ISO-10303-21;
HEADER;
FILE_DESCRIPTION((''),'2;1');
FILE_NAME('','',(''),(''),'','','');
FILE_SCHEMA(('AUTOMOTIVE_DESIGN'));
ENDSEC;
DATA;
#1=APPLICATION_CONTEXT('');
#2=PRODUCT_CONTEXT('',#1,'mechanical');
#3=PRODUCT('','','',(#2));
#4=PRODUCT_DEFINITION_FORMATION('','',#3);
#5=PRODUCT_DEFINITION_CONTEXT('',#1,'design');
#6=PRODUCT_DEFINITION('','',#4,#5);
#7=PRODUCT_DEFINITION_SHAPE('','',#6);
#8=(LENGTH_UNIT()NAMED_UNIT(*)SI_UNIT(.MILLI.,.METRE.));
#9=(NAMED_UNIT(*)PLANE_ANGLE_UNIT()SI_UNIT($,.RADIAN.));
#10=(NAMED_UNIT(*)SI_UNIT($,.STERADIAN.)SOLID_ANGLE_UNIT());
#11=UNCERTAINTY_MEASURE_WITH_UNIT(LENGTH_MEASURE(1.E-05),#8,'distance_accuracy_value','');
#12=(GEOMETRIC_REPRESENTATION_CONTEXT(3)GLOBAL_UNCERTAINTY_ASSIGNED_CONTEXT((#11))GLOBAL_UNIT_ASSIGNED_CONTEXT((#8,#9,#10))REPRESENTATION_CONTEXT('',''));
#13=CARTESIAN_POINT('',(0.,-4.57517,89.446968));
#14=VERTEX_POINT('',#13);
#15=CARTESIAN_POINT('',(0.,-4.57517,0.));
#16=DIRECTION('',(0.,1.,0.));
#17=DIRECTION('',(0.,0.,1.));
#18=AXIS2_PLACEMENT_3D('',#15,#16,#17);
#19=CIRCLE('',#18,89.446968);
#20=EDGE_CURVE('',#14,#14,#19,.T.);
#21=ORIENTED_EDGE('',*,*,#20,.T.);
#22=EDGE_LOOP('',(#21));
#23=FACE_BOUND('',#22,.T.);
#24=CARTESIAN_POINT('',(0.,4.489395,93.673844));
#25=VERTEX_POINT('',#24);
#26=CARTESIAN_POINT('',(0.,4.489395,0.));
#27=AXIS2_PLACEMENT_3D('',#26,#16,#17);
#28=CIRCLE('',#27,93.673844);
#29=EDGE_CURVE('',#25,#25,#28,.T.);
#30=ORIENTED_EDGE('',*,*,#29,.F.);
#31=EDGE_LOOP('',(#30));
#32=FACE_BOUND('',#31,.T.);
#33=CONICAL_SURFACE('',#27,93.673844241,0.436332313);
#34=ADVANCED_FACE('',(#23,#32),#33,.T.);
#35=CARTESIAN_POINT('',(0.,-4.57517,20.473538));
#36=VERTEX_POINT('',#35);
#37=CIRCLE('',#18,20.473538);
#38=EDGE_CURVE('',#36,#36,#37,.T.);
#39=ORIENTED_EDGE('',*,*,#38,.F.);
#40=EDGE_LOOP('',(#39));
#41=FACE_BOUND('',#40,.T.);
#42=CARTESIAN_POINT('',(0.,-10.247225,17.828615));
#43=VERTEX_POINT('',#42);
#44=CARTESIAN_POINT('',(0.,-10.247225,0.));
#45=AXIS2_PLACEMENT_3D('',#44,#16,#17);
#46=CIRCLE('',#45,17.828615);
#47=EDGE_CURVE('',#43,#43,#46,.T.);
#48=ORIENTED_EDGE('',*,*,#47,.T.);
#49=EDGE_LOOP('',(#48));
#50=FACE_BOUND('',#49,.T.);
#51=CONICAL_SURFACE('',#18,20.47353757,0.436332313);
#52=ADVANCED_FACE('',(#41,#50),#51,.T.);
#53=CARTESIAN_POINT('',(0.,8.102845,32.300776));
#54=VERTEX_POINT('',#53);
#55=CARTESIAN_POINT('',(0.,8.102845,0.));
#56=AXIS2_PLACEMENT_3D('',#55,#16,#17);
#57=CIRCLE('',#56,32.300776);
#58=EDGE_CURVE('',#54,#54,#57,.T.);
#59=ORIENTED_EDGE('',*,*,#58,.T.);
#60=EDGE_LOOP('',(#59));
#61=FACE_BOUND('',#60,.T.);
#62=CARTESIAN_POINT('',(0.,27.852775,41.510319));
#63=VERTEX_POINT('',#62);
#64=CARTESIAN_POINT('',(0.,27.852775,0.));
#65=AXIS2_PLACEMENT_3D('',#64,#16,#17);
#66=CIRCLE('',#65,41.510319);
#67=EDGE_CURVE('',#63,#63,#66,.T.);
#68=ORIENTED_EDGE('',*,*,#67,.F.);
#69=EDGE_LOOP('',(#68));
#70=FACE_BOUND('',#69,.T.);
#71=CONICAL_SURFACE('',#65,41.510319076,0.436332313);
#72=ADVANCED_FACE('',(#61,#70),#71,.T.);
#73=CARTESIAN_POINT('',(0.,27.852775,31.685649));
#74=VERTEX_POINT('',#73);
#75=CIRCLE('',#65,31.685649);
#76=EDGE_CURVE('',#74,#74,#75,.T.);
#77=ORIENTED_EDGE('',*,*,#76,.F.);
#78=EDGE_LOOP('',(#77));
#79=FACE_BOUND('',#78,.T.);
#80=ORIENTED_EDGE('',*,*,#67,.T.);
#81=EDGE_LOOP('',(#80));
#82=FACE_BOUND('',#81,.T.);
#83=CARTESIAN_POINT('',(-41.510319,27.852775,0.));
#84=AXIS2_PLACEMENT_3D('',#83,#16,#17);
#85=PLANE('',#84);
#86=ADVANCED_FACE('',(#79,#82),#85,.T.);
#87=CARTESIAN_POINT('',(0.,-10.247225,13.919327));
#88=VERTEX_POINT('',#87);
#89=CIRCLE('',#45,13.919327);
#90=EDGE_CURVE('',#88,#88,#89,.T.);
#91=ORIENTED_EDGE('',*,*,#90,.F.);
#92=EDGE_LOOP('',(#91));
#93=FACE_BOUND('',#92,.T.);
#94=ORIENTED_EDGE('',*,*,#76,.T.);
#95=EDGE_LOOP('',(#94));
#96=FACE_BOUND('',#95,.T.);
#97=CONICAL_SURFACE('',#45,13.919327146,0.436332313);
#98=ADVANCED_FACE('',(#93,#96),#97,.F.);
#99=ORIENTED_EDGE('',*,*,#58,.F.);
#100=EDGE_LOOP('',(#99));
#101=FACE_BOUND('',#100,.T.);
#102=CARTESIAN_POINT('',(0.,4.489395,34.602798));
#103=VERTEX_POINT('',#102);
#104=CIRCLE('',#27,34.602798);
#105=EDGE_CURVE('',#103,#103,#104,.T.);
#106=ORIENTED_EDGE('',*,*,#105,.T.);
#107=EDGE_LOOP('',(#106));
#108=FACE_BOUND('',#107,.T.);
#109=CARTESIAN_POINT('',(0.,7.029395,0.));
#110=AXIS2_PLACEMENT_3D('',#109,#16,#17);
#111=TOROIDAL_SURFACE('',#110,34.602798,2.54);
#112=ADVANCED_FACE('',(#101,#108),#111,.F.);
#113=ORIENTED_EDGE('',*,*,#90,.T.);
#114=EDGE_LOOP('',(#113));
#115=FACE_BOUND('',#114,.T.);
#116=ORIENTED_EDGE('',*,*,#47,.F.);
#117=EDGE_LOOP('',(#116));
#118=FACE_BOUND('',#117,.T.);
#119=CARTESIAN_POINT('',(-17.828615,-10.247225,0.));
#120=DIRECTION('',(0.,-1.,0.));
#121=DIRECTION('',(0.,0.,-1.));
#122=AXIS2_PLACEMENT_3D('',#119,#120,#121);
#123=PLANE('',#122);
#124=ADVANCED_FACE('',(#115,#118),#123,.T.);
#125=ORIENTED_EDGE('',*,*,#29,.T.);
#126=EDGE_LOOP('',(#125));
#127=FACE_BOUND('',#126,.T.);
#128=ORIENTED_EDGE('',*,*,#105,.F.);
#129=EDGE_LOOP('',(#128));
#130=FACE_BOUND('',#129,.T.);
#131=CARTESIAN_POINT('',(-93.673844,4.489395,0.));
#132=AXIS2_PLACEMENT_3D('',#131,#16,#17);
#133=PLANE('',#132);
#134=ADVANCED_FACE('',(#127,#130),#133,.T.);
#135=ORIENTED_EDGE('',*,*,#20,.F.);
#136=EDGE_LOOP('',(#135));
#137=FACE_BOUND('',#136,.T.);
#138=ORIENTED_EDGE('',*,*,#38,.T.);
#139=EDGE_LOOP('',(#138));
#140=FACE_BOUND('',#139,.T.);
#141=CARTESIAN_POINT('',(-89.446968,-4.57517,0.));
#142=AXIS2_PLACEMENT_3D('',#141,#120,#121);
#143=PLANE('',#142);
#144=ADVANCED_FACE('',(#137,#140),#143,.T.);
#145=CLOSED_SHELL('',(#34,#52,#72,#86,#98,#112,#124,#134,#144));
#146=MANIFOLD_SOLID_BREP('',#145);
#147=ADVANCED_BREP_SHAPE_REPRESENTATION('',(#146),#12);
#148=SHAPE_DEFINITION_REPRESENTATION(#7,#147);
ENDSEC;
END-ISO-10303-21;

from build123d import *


with BuildPart() as part:
    # Sketch1 → Revolve2 (revolve)
    with BuildSketch(Plane.XY):
        with BuildLine():
            Line((-93.673844241, 4.489394889), (-89.446968139, -4.575170165))
            Line((-89.446968139, -4.575170165), (-20.47353757, -4.575170165))
            Line((-20.47353757, -4.575170165), (-17.8286148, -10.247225348))
            Line((-17.8286148, -10.247225348), (-13.919327146, -10.247225348))
            Line((-13.919327146, -10.247225348), (-31.685648922, 27.852774652))
            Line((-31.685648922, 27.852774652), (-41.510319076, 27.852774652))
            Line((-41.510319076, 27.852774652), (-32.300775759, 8.102845274))
            ThreePointArc((-32.300775759, 8.102845274), (-32.460583266, 5.664653884), (-34.602797538, 4.489394889))
            Line((-34.602797538, 4.489394889), (-93.673844241, 4.489394889))
        make_face()
    revolve(axis=Axis((0, 77.135966731, 0), (0, -1, 0)))


solid = part.part
